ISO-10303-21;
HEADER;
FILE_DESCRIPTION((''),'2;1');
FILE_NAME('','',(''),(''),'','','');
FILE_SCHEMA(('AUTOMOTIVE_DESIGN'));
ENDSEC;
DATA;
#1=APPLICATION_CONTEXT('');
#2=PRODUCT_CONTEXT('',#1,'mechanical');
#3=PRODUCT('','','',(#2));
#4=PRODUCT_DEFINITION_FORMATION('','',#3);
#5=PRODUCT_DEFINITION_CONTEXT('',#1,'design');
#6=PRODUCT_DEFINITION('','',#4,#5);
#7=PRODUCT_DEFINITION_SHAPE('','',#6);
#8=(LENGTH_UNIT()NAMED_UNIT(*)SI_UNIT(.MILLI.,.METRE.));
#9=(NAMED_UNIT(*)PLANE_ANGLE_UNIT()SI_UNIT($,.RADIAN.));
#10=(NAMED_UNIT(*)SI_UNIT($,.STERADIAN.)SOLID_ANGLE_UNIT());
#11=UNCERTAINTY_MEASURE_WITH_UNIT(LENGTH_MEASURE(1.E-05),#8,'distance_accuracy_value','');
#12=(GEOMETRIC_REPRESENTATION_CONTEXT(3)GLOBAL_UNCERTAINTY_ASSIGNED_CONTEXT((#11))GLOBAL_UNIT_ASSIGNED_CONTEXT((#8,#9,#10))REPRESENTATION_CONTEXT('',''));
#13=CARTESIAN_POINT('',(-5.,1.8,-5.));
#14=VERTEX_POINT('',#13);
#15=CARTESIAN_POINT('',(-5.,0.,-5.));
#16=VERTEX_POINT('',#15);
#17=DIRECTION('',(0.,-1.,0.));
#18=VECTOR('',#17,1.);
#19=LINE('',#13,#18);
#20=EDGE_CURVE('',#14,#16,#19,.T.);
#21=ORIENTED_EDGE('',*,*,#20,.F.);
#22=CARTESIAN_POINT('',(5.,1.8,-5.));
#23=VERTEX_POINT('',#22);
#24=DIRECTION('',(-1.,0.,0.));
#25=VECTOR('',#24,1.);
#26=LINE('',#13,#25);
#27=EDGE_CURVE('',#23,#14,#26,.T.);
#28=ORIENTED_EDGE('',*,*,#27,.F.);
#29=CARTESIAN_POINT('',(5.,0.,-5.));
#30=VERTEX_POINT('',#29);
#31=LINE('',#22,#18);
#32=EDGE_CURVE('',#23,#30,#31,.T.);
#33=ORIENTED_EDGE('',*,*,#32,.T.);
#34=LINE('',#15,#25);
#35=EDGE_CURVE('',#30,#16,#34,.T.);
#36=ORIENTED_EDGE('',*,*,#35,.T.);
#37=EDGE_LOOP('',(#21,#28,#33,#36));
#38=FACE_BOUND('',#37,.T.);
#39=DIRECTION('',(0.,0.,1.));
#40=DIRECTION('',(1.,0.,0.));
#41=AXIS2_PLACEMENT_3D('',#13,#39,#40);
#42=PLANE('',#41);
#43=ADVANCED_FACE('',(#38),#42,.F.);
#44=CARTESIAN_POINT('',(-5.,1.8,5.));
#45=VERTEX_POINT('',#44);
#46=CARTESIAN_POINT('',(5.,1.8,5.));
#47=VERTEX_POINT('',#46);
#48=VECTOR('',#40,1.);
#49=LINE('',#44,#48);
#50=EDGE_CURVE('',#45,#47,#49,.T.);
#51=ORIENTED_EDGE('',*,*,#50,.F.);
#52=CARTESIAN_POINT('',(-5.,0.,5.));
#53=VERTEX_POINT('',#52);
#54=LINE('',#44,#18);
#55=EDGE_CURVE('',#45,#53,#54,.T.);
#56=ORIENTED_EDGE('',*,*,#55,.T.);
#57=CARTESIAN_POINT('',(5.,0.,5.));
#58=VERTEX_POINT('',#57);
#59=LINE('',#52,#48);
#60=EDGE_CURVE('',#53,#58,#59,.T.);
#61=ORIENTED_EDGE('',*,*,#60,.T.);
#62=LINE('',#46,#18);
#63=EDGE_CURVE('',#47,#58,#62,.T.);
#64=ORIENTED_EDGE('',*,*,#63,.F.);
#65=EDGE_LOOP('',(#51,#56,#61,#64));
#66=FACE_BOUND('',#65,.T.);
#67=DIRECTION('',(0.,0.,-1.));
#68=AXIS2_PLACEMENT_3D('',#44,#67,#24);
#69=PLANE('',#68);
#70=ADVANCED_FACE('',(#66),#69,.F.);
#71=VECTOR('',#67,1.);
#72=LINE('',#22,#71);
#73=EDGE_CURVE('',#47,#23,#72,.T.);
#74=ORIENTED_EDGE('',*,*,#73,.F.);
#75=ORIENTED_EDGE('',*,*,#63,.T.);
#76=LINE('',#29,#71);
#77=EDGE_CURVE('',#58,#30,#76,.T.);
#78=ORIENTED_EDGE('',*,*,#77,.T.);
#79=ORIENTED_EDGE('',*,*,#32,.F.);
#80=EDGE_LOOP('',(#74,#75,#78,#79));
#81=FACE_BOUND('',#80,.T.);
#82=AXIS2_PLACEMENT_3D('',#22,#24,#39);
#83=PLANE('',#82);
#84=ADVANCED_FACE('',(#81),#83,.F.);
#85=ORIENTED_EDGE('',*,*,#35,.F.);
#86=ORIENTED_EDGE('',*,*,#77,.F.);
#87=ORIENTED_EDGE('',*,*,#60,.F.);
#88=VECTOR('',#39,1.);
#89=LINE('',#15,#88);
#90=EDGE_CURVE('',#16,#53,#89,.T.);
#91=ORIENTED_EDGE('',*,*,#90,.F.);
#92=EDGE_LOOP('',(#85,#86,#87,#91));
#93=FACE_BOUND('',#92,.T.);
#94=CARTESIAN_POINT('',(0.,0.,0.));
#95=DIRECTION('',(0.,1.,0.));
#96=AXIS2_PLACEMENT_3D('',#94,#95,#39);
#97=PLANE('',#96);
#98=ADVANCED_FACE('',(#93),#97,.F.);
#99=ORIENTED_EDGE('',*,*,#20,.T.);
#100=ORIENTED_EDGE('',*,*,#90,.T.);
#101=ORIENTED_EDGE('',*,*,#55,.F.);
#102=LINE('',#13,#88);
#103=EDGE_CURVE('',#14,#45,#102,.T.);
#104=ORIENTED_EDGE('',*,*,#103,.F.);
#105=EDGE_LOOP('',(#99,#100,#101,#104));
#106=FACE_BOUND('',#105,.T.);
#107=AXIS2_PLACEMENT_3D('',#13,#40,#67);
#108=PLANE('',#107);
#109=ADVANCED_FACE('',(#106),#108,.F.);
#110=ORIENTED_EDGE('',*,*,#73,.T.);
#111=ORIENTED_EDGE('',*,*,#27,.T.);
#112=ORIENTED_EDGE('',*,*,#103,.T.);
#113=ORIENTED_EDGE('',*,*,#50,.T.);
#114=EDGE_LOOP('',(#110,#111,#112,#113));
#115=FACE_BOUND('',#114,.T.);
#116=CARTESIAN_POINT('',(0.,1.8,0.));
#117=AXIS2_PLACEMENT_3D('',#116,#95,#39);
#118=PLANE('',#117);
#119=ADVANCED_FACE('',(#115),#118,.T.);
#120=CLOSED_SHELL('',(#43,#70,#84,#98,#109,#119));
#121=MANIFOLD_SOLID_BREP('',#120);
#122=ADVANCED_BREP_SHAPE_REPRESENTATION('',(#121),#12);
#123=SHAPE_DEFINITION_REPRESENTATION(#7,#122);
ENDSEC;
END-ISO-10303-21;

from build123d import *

# Parameters (mm, degrees)
IZIM1_W                     = 10
IZIM1_H                     = 10
Y_KSEKLIK_EKSTR_ZYON1_DEPTH = 1.8


with BuildPart() as part:
    # Çizim1 → Yükseklik-Ekstrüzyon1 (new body)
    with BuildSketch(Plane(origin=(0, 0, 0), x_dir=(1, 0, 0), z_dir=(0, 1, 0))):
        Rectangle(IZIM1_W, IZIM1_H)
    extrude(amount=Y_KSEKLIK_EKSTR_ZYON1_DEPTH)


solid = part.part
